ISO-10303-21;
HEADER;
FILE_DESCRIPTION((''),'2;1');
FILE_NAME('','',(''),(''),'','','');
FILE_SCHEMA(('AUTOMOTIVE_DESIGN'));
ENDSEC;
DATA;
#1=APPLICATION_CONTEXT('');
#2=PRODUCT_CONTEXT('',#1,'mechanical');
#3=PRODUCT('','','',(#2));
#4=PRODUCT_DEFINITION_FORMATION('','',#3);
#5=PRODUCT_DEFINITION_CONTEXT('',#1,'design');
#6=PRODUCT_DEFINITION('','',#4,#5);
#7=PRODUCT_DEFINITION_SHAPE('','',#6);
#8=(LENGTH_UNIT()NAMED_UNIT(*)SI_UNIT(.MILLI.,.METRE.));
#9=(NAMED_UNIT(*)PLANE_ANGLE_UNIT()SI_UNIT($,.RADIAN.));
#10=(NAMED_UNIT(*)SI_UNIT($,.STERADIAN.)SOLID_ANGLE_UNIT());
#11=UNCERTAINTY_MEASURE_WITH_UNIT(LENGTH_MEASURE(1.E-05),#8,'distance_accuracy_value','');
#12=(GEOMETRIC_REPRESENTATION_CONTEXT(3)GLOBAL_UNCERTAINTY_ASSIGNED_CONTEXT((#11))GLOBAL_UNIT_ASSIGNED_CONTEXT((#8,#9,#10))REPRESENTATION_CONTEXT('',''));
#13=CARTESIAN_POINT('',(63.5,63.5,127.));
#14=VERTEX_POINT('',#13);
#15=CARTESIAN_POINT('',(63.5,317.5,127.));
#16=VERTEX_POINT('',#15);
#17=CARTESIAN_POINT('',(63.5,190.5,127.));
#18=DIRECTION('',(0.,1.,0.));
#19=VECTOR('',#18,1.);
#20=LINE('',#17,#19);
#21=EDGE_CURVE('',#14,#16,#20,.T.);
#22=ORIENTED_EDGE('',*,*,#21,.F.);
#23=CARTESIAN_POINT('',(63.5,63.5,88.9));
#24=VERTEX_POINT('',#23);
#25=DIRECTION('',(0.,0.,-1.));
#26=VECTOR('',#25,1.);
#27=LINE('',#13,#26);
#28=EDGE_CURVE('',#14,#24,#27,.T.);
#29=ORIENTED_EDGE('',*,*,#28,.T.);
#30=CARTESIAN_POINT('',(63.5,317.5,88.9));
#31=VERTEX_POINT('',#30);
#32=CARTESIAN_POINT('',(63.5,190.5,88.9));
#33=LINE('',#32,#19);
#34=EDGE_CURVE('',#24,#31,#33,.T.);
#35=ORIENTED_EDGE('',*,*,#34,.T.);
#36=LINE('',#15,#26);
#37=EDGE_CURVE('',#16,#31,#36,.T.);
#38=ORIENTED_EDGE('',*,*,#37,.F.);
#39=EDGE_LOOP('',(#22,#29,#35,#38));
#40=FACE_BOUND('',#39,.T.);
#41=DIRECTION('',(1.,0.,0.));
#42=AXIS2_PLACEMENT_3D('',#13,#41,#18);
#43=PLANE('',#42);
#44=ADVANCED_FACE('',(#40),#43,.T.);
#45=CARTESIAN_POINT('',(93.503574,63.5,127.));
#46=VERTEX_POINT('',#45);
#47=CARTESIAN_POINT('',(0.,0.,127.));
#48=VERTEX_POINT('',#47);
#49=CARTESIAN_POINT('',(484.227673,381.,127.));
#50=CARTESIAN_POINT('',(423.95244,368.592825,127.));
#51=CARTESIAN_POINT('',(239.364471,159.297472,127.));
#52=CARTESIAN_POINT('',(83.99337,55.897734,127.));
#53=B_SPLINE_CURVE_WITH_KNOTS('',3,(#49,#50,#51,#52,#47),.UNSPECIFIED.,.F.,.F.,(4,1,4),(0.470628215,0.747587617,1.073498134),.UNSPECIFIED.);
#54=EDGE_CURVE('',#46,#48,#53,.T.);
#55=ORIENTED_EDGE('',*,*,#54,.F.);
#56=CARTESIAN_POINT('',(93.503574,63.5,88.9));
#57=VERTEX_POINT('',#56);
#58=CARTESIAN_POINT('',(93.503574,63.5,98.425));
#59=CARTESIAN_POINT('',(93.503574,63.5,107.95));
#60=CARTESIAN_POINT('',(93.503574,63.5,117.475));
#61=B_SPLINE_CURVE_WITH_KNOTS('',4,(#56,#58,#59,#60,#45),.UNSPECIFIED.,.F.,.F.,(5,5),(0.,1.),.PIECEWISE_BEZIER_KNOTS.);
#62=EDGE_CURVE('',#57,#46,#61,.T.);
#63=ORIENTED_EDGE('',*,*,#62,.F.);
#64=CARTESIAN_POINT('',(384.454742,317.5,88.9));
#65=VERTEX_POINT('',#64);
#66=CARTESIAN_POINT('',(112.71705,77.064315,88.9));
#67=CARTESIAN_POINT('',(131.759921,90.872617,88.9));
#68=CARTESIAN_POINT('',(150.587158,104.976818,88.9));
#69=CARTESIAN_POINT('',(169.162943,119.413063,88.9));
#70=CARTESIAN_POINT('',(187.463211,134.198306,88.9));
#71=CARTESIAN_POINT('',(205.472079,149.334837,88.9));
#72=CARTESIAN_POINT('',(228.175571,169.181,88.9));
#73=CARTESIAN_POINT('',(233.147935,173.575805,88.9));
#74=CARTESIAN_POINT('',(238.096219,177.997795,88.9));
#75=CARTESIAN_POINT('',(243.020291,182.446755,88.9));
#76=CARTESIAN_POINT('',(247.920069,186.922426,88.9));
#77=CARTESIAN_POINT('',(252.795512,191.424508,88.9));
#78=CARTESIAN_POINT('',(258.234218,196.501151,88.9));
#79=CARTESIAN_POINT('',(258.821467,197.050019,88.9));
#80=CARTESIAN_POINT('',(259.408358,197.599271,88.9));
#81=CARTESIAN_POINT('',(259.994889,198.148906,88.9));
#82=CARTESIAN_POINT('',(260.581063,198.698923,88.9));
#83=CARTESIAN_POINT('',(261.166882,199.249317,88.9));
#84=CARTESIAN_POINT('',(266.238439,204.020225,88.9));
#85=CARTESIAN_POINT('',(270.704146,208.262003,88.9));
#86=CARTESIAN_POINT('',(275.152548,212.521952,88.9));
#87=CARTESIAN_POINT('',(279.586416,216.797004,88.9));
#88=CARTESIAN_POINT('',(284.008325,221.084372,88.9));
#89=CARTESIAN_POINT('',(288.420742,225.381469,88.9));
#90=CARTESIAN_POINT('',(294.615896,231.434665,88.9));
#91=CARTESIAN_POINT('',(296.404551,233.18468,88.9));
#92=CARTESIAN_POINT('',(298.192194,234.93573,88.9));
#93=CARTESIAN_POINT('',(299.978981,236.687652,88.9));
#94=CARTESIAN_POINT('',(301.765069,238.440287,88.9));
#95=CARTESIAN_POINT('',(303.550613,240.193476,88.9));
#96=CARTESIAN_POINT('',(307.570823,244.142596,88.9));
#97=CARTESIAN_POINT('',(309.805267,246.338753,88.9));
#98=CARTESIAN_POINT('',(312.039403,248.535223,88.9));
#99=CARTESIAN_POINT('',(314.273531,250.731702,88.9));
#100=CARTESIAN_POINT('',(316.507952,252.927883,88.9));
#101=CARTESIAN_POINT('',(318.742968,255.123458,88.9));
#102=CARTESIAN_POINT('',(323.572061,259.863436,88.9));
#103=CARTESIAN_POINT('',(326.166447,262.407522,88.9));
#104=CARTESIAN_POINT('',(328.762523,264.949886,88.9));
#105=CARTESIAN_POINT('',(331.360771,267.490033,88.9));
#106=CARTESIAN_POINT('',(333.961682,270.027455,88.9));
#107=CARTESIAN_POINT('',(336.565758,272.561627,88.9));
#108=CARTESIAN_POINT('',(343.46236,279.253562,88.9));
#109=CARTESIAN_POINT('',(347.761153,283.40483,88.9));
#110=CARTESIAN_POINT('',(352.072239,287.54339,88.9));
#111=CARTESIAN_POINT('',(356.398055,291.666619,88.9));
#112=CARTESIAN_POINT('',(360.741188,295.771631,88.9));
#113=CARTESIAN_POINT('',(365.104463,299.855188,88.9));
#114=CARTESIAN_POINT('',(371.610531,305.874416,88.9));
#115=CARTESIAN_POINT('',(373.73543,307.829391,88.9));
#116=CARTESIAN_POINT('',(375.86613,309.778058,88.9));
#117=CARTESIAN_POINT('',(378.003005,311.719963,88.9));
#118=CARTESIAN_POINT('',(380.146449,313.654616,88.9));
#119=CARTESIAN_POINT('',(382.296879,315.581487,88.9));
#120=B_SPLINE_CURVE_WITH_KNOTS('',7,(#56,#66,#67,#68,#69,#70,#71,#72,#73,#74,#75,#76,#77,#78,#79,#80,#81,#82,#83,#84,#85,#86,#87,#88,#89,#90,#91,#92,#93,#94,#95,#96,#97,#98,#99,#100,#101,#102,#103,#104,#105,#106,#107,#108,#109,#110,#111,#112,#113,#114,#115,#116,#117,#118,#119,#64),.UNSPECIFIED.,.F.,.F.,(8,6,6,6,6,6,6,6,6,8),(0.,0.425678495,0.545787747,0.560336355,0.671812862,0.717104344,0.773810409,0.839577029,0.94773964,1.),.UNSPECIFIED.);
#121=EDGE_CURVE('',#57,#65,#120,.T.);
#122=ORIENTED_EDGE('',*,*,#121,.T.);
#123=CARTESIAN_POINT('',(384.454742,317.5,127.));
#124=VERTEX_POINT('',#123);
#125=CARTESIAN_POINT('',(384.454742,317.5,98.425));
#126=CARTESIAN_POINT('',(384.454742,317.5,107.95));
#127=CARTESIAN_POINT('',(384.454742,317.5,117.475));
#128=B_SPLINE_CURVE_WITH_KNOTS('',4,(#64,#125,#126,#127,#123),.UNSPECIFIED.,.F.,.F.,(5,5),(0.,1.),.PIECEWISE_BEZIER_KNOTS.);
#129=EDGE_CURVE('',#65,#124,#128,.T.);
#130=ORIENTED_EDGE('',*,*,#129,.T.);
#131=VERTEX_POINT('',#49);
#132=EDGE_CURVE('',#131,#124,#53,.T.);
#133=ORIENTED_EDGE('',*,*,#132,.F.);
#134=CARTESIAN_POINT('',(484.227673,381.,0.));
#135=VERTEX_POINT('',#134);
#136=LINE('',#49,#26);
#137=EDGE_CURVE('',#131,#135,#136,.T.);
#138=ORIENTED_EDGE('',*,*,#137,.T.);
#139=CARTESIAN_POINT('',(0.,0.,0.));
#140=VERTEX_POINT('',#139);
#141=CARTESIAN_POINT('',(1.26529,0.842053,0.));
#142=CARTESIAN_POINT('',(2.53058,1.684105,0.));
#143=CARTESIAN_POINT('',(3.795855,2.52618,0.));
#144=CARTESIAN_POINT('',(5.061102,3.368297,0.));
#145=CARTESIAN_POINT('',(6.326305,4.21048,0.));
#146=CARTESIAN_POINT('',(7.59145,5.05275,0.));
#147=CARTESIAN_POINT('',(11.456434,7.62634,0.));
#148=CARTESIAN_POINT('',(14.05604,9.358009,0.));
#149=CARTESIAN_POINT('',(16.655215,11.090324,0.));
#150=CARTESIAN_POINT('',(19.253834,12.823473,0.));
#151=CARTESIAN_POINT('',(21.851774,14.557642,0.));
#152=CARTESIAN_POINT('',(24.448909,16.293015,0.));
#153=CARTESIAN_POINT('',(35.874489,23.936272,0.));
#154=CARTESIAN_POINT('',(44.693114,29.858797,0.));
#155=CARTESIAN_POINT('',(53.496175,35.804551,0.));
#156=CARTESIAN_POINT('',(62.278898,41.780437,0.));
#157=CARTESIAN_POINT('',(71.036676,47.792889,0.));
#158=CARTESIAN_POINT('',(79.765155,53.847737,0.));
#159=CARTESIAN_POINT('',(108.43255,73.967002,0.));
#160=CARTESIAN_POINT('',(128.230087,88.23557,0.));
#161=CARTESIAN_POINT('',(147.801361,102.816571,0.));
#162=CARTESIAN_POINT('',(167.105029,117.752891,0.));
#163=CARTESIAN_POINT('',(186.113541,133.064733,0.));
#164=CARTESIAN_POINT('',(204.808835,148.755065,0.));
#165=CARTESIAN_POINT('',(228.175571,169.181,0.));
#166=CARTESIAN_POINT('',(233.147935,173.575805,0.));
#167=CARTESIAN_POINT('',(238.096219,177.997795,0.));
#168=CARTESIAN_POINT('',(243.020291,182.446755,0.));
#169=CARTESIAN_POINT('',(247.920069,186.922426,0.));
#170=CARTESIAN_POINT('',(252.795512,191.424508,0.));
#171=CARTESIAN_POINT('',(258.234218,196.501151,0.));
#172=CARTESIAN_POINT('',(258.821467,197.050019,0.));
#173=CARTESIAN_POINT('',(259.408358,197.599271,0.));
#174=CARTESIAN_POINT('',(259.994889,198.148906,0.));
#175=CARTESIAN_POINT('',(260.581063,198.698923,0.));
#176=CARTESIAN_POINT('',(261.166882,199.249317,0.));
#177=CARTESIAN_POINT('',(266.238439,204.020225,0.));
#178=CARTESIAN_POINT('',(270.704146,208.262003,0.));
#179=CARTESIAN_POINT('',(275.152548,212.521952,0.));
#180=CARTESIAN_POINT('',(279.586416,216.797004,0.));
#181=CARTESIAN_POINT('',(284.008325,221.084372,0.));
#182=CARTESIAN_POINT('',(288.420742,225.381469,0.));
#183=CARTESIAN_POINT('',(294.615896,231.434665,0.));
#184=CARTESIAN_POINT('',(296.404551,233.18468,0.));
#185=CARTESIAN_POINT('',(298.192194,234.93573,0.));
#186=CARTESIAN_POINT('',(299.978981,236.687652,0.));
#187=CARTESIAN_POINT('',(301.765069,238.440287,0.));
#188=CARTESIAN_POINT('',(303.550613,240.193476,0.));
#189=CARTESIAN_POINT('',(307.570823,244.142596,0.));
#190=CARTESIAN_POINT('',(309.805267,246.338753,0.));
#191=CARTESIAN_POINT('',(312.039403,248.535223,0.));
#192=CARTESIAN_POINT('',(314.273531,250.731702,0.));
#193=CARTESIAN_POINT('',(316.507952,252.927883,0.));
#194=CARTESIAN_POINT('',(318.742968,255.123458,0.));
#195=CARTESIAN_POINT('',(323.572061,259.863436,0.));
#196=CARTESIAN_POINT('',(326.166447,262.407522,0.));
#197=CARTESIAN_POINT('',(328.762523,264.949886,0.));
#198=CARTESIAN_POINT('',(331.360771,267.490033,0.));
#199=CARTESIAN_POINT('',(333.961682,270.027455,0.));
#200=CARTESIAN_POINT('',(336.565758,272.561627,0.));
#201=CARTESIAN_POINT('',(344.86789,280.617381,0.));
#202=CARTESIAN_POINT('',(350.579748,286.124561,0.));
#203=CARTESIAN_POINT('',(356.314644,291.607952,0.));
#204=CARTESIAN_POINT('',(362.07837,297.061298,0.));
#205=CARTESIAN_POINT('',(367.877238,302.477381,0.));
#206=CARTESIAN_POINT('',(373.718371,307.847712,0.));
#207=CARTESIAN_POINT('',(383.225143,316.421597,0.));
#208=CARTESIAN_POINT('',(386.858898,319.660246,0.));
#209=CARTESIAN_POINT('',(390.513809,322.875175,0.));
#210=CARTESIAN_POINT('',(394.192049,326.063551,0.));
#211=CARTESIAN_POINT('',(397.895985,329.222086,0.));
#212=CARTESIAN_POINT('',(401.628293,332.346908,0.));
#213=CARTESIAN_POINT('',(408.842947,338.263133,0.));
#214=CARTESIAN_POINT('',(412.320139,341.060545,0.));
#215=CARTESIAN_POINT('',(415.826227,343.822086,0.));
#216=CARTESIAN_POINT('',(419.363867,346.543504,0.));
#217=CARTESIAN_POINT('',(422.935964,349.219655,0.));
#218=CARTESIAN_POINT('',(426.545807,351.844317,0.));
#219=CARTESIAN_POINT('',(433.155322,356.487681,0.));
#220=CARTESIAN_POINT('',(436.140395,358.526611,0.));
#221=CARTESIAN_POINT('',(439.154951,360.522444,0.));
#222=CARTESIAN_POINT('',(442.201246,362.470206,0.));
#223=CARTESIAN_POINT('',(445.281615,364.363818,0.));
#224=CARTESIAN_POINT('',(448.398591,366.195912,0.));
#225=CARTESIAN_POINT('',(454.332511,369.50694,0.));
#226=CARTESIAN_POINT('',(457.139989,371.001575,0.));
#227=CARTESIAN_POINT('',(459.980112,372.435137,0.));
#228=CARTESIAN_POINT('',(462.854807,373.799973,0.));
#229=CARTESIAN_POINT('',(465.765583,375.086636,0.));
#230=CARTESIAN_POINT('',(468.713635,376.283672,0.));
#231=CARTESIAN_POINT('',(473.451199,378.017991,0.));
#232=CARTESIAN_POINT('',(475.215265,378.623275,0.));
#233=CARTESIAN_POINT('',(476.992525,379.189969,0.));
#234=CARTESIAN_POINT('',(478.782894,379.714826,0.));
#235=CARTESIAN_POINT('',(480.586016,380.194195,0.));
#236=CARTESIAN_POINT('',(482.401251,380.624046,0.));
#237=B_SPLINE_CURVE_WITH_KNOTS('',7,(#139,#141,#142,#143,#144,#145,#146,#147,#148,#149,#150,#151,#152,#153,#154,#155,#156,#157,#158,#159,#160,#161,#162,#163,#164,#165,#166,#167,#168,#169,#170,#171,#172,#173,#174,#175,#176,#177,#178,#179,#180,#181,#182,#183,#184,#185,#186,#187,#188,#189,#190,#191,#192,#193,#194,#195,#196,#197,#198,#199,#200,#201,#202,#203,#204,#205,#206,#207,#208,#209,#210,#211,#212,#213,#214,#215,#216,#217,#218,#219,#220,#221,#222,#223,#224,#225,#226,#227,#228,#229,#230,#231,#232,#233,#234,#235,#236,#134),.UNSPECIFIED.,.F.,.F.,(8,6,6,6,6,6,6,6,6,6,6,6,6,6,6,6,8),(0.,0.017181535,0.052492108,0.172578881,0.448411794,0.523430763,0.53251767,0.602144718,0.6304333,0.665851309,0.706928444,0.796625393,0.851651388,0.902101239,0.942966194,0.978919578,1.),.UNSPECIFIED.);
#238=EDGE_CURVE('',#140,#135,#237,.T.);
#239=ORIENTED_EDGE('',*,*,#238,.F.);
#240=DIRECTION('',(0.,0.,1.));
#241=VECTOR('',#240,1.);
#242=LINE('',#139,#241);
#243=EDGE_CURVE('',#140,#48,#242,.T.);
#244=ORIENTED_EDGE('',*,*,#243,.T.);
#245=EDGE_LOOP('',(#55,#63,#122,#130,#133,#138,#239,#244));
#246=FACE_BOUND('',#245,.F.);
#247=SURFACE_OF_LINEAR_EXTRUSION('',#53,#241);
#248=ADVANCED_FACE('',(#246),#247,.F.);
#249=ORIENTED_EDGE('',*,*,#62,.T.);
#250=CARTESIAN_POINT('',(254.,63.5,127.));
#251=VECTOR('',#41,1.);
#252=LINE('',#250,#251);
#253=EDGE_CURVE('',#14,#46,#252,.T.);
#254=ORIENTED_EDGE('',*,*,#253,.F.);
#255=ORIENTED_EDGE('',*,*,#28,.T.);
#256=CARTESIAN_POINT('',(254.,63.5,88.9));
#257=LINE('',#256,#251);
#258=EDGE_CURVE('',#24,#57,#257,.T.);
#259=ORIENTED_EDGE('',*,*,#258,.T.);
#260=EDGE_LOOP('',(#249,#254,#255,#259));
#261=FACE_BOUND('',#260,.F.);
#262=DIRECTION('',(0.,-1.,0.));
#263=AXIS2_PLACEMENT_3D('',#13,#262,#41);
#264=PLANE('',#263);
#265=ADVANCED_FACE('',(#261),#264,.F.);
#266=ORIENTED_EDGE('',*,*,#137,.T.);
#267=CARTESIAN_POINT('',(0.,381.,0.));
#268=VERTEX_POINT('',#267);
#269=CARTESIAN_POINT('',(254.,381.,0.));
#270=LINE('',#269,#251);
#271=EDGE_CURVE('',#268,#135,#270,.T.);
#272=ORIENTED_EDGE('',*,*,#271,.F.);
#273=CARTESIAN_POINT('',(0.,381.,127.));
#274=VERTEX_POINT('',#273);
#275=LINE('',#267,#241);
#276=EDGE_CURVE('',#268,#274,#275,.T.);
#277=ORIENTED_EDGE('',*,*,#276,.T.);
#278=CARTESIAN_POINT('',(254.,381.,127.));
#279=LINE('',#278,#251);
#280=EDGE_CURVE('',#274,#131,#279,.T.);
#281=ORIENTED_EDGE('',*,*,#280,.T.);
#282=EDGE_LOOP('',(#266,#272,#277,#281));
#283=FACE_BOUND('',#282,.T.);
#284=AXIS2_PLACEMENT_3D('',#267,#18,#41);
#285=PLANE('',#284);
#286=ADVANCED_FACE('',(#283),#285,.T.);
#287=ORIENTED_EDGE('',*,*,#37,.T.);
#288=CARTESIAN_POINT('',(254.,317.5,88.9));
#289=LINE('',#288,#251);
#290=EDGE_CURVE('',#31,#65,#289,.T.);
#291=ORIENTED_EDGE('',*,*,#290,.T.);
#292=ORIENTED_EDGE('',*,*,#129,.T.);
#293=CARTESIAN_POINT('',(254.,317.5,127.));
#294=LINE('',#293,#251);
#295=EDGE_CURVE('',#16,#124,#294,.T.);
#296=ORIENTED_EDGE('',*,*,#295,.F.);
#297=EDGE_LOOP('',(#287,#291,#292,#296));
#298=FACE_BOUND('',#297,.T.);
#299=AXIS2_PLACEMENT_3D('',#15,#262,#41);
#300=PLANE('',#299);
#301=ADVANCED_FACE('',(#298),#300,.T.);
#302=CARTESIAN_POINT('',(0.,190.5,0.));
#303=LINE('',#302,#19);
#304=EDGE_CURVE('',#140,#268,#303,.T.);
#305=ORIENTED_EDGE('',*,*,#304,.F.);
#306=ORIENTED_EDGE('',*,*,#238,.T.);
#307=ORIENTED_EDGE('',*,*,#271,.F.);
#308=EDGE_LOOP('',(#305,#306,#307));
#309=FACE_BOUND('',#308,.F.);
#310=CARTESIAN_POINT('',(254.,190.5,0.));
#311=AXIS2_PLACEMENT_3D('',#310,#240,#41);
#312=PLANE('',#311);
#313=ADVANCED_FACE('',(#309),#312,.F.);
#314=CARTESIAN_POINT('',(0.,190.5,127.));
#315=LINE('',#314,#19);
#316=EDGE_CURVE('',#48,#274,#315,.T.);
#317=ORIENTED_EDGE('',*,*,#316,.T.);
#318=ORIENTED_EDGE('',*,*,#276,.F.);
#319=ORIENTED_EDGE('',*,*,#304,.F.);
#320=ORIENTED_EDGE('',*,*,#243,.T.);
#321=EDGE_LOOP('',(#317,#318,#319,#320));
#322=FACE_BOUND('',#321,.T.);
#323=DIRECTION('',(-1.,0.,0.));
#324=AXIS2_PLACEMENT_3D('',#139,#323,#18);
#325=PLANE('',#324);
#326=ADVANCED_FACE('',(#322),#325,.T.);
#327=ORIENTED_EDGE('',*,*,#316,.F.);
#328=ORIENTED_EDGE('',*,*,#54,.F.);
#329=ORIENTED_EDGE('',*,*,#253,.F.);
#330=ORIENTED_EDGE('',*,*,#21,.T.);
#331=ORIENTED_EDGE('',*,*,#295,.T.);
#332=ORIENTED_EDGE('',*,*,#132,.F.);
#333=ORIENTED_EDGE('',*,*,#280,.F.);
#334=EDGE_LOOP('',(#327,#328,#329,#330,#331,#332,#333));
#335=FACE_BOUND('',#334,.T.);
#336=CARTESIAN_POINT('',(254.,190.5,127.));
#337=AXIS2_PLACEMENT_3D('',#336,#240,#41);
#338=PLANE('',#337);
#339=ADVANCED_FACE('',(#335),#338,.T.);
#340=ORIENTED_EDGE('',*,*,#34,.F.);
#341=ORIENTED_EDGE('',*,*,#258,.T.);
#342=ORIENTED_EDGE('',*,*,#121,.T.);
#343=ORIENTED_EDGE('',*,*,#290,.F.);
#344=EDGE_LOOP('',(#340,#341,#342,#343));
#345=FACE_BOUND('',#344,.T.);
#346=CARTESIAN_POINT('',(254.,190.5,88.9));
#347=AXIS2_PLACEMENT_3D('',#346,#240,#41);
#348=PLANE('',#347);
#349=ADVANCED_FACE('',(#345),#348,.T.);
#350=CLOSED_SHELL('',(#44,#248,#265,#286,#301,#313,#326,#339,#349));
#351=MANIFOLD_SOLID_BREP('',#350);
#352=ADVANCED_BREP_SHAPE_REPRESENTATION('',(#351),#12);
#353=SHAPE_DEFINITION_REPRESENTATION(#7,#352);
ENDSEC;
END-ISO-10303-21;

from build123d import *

# Parameters (mm, degrees)
F0_W     = 508
F0_H     = 381
F1_DEPTH = 127
F2_W     = 381
F2_H     = 254
F3_DEPTH = 38.1
F5_DEPTH = 127.001


with BuildPart() as f1:
    # F0 (on Top) → F1 (new body)
    with BuildSketch(Plane.XY):
        with Locations((254, 190.5)):
            Rectangle(F0_W, F0_H)
    extrude(amount=F1_DEPTH)

    # F2 (on face) → F3 (cut)
    with BuildSketch(Plane.XY.offset(127)):
        with Locations((254, 190.5)):
            Rectangle(F2_W, F2_H)
    extrude(amount=-F3_DEPTH, mode=Mode.SUBTRACT)

    # F4 (on face) → F5 (cut, through all)
    with BuildSketch(Plane.XY.offset(127)):
        with BuildLine():
            Line((444.5, 317.5), (384.4547422164, 317.5))
            add(Edge.make_bspline(
                [(93.5035740318, 63.5), (147.2071592582, 101.4136170576), (240.8619840218, 173.7700888717), (344.3781582981, 281.8687103961), (384.4547422164, 317.4999999999)],
                knots=[0.1203807823, 0.1203807823, 0.1203807823, 0.1203807823, 0.3259105165, 0.4706282149, 0.4706282149, 0.4706282149, 0.4706282149], degree=3))
            Line((93.5035740318, 63.5), (444.5, 63.5))
            Line((444.5, 63.5), (444.5, 317.5))
        make_face()
        with BuildLine():
            Line((508, 0), (508, 381))
            Line((508, 381), (484.2276728464, 381))
            add(Edge.make_bspline(
                [(384.4547422164, 317.4999999999), (421.0763564574, 350.0595451308), (455.4476445846, 375.0758613525), (484.2276728464, 381)],
                knots=[0.4706282149, 0.4706282149, 0.4706282149, 0.4706282149, 0.6028699184, 0.6028699184, 0.6028699184, 0.6028699184], degree=3))
            Line((384.4547422164, 317.5), (444.5, 317.5))
            Line((444.5, 317.5), (444.5, 63.5))
            Line((444.5, 63.5), (93.5035740318, 63.5))
            add(Edge.make_bspline(
                [(0, 0), (31.0244285766, 20.6468112151), (62.0488571531, 41.2936224301), (93.5035740318, 63.5)],
                knots=[0, 0, 0, 0, 0.1203807823, 0.1203807823, 0.1203807823, 0.1203807823], degree=3))
            Line((0, 0), (508, 0))
        make_face()
        with BuildLine():
            add(Edge.make_bspline(
                [(508, 381), (576.339941908, 364.0495678727), (596.4256136065, 182.0247839364), (616.511285305, 0)],
                knots=[0.6416145202, 0.6416145202, 0.6416145202, 0.6416145202, 1, 1, 1, 1], degree=3))
            Line((508, 381), (508, 0))
            Line((508, 0), (616.511285305, 0))
        make_face()
    extrude(amount=-F5_DEPTH, mode=Mode.SUBTRACT)


solid = f1.part
